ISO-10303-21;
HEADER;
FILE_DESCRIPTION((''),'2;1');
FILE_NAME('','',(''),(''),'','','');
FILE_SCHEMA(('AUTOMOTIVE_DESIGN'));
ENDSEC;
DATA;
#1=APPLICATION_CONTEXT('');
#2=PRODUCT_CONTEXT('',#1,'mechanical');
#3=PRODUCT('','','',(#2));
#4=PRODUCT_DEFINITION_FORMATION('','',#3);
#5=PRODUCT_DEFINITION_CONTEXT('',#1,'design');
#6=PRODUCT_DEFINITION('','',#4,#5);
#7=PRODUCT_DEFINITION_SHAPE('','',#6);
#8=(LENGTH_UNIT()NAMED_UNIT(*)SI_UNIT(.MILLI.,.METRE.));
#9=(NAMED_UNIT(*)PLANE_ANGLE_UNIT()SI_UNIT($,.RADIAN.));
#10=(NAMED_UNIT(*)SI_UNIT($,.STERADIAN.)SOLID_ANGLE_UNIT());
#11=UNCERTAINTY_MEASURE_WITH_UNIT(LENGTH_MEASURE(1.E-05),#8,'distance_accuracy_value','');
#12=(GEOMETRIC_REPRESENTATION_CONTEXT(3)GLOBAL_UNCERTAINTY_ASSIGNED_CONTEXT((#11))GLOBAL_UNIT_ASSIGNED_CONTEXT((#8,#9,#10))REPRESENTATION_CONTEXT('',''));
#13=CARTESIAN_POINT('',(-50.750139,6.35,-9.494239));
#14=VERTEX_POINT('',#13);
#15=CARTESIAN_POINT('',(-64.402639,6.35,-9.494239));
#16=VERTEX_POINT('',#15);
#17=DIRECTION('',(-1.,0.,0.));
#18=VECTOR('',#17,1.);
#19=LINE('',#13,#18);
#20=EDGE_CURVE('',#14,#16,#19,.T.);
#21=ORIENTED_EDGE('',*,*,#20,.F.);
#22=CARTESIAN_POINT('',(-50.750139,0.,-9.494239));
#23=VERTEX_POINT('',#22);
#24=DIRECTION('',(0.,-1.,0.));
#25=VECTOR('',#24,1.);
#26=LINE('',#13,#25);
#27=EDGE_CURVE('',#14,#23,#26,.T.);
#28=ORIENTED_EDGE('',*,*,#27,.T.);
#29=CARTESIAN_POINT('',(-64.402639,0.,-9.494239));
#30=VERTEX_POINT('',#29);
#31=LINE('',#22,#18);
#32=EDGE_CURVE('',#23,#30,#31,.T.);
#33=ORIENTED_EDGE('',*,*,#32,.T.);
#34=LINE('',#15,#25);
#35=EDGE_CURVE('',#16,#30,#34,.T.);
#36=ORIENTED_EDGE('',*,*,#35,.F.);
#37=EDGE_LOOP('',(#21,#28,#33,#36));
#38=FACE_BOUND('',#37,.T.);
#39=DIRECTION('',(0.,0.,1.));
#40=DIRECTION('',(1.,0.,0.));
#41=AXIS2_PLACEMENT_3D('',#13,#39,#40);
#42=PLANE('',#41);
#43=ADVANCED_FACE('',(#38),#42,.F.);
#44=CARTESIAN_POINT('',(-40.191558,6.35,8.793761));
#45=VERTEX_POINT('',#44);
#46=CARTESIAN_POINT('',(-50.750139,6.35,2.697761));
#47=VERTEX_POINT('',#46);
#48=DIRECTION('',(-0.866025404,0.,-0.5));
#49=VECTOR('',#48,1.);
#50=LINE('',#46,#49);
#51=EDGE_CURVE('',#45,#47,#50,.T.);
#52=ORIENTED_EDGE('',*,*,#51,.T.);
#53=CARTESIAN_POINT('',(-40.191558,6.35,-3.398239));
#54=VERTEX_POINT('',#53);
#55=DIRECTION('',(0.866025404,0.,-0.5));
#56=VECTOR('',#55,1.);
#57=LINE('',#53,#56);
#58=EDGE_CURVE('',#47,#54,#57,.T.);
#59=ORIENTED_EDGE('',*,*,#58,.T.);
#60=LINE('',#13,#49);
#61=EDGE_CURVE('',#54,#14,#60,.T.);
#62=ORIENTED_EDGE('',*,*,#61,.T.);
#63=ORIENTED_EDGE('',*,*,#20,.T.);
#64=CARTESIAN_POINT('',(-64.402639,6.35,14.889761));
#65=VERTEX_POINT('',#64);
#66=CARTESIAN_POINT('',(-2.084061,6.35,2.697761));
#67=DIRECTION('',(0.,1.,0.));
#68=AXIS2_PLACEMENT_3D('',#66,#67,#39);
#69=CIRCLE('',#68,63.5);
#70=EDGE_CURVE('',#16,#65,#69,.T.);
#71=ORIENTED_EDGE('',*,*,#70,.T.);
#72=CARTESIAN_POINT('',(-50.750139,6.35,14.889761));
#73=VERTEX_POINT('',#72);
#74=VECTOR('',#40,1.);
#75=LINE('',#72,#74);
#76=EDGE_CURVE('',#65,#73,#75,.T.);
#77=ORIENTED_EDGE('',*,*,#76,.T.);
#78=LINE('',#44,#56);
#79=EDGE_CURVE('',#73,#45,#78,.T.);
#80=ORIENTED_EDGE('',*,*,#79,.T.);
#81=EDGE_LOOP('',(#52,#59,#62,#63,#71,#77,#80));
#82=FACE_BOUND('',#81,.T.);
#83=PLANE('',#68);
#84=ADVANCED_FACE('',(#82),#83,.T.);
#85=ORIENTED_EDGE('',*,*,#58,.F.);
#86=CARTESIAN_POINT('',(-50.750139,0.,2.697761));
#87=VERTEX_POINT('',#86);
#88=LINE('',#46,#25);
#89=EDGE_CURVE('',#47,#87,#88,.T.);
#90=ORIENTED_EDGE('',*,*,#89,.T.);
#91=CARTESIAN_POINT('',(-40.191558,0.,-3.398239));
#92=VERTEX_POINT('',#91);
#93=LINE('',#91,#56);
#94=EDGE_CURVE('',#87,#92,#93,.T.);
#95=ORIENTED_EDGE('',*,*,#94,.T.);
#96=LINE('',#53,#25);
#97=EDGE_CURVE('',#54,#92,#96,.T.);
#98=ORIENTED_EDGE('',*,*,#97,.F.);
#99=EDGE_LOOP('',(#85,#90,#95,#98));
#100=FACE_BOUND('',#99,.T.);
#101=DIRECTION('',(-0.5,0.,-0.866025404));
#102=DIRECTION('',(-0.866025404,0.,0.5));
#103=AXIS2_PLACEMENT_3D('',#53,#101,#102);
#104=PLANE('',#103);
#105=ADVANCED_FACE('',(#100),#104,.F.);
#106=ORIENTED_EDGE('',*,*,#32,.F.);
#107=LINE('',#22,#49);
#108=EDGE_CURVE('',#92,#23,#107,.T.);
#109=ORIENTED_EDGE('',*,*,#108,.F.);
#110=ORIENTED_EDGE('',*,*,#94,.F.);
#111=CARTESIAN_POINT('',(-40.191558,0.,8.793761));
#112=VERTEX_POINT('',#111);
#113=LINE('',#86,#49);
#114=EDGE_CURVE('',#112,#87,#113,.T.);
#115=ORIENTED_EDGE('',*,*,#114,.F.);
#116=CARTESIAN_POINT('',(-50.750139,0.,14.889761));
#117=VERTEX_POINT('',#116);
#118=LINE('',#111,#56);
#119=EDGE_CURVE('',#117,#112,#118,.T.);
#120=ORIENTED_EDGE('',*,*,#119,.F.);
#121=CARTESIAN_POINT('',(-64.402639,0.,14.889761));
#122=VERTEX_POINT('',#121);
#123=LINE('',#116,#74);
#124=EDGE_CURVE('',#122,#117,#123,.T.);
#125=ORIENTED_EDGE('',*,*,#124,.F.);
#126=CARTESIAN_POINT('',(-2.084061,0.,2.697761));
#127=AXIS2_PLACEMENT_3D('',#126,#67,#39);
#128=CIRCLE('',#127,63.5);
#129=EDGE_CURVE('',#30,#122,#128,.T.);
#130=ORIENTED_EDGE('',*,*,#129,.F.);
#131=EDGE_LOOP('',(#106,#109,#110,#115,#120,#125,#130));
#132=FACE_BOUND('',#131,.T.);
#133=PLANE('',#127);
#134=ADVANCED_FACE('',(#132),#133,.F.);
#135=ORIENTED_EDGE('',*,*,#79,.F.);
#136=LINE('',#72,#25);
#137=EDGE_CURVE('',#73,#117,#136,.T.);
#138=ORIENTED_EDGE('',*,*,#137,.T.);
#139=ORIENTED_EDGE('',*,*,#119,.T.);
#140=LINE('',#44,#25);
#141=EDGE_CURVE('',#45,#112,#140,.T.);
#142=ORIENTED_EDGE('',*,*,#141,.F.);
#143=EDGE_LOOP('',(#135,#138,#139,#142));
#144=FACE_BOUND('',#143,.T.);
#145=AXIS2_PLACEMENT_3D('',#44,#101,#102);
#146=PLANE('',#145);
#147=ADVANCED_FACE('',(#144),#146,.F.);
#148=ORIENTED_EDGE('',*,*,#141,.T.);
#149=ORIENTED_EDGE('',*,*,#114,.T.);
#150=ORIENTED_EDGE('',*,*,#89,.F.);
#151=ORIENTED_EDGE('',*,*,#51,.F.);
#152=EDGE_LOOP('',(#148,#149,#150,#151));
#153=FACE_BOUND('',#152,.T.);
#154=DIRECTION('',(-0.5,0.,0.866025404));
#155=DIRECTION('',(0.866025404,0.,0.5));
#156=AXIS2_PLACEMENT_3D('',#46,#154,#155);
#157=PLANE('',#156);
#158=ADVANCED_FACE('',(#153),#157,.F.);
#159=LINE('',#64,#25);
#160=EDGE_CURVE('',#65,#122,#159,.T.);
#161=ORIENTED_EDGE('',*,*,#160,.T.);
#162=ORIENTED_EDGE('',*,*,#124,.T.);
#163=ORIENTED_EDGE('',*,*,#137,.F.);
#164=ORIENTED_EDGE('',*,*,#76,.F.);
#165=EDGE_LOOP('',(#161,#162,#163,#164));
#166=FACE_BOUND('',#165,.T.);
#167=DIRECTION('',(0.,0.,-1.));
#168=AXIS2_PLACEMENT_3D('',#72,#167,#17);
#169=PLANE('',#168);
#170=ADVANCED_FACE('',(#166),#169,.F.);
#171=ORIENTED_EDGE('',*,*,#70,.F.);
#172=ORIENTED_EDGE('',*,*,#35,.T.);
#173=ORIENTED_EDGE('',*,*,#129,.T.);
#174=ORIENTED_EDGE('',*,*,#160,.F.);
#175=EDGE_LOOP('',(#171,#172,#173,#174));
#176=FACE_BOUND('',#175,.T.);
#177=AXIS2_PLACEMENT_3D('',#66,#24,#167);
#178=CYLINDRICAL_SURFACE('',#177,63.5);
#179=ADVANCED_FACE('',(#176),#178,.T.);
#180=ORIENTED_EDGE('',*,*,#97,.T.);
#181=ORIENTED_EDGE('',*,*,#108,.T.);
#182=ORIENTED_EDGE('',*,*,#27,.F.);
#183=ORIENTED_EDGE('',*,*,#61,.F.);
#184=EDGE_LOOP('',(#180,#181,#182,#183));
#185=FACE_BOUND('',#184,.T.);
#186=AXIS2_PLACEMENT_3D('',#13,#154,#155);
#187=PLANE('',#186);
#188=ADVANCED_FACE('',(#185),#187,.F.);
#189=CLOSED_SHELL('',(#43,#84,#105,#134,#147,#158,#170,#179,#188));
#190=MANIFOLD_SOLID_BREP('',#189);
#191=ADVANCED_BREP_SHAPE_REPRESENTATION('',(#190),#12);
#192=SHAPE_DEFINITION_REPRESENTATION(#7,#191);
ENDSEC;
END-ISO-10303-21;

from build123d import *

# Parameters (mm, degrees)
BOSS_EXTRUDE1_DEPTH = 6.35


with BuildPart() as part:
    # Sketch2 → Boss-Extrude1 (new body)
    with BuildSketch(Plane(origin=(0, 0, 0), x_dir=(1, 0, 0), z_dir=(0, 1, 0))):
        with BuildLine():
            Line((-50.75013925, 9.494238665), (-40.191557527, 3.398238665))
            Line((-40.191557527, 3.398238665), (-50.75013925, -2.697761335))
            Line((-50.75013925, -2.697761335), (-40.191557527, -8.793761335))
            Line((-40.191557527, -8.793761335), (-50.75013925, -14.889761335))
            Line((-50.75013925, -14.889761335), (-64.40263925, -14.889761335))
            ThreePointArc((-64.40263925, -14.889761335), (-65.584061474, -2.697761335), (-64.40263925, 9.494238665))
            Line((-64.40263925, 9.494238665), (-50.75013925, 9.494238665))
        make_face()
    extrude(amount=BOSS_EXTRUDE1_DEPTH)


solid = part.part
